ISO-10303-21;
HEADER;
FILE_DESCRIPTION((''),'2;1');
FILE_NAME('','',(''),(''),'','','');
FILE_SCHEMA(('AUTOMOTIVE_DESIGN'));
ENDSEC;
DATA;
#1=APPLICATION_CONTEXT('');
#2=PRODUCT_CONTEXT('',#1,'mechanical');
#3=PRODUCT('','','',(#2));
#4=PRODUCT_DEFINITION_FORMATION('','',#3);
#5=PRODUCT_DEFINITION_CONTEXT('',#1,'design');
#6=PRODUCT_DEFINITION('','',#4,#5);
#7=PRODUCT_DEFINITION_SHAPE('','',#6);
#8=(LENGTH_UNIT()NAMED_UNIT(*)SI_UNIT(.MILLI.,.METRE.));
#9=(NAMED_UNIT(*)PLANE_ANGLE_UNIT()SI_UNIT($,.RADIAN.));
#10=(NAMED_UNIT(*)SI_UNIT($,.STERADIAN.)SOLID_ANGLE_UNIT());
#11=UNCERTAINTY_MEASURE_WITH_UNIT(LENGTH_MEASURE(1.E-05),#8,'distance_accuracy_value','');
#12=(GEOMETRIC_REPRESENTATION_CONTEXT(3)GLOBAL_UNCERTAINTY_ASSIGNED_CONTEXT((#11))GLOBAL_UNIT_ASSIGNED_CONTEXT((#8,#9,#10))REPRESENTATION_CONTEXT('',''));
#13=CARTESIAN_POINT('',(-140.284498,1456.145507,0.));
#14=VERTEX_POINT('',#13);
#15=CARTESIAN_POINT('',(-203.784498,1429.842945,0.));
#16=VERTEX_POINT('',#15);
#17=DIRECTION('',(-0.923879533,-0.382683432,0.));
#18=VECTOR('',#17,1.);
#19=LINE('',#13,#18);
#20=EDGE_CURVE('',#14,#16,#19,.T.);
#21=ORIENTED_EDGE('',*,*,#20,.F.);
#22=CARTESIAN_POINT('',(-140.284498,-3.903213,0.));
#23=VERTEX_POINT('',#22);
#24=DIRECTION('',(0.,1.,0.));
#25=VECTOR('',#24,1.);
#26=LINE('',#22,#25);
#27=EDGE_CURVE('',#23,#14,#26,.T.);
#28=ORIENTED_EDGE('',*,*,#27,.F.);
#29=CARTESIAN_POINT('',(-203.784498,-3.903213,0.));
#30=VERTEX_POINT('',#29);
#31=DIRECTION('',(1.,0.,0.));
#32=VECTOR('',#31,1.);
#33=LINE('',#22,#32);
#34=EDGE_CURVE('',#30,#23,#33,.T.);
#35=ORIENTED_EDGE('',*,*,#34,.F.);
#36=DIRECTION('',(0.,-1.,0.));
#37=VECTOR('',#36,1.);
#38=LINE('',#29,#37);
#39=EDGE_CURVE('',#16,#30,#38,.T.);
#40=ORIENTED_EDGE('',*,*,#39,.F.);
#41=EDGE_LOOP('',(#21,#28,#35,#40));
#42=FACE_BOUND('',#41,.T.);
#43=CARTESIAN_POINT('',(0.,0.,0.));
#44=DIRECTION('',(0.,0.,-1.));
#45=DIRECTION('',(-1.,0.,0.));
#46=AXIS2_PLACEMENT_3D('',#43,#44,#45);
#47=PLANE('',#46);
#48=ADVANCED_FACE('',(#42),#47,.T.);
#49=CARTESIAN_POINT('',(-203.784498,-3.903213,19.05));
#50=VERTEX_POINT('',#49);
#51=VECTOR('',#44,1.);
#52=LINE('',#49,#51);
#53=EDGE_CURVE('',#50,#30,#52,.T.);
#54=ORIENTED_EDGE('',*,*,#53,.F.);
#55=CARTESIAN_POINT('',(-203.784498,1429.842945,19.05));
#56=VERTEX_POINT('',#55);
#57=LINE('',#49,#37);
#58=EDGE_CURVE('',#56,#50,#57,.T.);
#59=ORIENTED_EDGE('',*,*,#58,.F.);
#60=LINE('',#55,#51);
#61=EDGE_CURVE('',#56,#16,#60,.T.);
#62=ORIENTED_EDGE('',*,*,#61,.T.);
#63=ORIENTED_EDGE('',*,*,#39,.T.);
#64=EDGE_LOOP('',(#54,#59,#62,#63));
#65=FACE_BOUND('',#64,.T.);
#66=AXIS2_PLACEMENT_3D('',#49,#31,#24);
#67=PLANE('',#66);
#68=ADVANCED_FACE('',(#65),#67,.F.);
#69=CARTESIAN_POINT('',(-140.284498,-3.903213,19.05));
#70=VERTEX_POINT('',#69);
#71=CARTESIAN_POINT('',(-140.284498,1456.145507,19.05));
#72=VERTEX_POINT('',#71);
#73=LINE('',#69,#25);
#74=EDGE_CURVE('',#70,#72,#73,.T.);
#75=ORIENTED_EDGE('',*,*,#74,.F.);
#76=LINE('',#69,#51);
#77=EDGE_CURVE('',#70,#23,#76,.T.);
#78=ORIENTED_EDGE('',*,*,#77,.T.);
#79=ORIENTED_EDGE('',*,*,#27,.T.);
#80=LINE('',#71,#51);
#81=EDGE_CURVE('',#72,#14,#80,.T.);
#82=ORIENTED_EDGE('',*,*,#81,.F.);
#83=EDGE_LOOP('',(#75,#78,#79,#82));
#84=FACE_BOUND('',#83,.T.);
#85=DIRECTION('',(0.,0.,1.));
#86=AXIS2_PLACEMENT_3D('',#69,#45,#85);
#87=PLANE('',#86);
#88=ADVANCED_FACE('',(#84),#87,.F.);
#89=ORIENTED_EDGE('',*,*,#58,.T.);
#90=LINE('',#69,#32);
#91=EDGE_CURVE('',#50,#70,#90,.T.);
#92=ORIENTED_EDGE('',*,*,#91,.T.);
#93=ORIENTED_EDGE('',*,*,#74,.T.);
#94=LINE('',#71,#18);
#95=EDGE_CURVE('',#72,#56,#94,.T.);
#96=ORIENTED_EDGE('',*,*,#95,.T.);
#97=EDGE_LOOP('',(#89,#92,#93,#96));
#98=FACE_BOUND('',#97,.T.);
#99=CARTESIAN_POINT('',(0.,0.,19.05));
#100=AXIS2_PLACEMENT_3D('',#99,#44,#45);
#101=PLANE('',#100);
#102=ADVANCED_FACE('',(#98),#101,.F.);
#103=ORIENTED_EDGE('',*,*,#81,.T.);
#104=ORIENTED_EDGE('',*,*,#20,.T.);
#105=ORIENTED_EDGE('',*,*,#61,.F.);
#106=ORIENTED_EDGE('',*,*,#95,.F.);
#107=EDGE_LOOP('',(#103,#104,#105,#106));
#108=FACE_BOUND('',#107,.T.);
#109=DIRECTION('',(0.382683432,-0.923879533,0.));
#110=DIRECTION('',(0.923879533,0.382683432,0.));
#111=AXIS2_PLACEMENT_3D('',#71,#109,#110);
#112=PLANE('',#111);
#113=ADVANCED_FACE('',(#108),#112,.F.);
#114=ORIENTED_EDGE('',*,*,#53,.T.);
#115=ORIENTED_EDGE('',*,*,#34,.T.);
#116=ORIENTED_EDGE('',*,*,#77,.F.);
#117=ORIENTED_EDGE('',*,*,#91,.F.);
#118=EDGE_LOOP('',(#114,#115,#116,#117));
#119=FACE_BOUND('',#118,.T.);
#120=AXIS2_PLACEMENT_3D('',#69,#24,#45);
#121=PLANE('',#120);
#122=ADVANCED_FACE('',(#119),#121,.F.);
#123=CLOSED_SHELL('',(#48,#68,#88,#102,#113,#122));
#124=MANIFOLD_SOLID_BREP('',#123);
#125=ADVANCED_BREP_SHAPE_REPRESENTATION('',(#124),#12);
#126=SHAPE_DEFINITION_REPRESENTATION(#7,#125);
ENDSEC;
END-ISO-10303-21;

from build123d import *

# Parameters (mm, degrees)
BOSS_EXTRUDE1_DEPTH = 19.05


with BuildPart() as part:
    # Sketch4 → Boss-Extrude1 (new body)
    with BuildSketch(Plane.XY):
        Polygon((-140.28449825, -3.903212814), (-203.78449825, -3.903212814), (-203.78449825, 1429.84294537), (-140.28449825, 1456.145506581), align=None)
    extrude(amount=BOSS_EXTRUDE1_DEPTH)


solid = part.part
